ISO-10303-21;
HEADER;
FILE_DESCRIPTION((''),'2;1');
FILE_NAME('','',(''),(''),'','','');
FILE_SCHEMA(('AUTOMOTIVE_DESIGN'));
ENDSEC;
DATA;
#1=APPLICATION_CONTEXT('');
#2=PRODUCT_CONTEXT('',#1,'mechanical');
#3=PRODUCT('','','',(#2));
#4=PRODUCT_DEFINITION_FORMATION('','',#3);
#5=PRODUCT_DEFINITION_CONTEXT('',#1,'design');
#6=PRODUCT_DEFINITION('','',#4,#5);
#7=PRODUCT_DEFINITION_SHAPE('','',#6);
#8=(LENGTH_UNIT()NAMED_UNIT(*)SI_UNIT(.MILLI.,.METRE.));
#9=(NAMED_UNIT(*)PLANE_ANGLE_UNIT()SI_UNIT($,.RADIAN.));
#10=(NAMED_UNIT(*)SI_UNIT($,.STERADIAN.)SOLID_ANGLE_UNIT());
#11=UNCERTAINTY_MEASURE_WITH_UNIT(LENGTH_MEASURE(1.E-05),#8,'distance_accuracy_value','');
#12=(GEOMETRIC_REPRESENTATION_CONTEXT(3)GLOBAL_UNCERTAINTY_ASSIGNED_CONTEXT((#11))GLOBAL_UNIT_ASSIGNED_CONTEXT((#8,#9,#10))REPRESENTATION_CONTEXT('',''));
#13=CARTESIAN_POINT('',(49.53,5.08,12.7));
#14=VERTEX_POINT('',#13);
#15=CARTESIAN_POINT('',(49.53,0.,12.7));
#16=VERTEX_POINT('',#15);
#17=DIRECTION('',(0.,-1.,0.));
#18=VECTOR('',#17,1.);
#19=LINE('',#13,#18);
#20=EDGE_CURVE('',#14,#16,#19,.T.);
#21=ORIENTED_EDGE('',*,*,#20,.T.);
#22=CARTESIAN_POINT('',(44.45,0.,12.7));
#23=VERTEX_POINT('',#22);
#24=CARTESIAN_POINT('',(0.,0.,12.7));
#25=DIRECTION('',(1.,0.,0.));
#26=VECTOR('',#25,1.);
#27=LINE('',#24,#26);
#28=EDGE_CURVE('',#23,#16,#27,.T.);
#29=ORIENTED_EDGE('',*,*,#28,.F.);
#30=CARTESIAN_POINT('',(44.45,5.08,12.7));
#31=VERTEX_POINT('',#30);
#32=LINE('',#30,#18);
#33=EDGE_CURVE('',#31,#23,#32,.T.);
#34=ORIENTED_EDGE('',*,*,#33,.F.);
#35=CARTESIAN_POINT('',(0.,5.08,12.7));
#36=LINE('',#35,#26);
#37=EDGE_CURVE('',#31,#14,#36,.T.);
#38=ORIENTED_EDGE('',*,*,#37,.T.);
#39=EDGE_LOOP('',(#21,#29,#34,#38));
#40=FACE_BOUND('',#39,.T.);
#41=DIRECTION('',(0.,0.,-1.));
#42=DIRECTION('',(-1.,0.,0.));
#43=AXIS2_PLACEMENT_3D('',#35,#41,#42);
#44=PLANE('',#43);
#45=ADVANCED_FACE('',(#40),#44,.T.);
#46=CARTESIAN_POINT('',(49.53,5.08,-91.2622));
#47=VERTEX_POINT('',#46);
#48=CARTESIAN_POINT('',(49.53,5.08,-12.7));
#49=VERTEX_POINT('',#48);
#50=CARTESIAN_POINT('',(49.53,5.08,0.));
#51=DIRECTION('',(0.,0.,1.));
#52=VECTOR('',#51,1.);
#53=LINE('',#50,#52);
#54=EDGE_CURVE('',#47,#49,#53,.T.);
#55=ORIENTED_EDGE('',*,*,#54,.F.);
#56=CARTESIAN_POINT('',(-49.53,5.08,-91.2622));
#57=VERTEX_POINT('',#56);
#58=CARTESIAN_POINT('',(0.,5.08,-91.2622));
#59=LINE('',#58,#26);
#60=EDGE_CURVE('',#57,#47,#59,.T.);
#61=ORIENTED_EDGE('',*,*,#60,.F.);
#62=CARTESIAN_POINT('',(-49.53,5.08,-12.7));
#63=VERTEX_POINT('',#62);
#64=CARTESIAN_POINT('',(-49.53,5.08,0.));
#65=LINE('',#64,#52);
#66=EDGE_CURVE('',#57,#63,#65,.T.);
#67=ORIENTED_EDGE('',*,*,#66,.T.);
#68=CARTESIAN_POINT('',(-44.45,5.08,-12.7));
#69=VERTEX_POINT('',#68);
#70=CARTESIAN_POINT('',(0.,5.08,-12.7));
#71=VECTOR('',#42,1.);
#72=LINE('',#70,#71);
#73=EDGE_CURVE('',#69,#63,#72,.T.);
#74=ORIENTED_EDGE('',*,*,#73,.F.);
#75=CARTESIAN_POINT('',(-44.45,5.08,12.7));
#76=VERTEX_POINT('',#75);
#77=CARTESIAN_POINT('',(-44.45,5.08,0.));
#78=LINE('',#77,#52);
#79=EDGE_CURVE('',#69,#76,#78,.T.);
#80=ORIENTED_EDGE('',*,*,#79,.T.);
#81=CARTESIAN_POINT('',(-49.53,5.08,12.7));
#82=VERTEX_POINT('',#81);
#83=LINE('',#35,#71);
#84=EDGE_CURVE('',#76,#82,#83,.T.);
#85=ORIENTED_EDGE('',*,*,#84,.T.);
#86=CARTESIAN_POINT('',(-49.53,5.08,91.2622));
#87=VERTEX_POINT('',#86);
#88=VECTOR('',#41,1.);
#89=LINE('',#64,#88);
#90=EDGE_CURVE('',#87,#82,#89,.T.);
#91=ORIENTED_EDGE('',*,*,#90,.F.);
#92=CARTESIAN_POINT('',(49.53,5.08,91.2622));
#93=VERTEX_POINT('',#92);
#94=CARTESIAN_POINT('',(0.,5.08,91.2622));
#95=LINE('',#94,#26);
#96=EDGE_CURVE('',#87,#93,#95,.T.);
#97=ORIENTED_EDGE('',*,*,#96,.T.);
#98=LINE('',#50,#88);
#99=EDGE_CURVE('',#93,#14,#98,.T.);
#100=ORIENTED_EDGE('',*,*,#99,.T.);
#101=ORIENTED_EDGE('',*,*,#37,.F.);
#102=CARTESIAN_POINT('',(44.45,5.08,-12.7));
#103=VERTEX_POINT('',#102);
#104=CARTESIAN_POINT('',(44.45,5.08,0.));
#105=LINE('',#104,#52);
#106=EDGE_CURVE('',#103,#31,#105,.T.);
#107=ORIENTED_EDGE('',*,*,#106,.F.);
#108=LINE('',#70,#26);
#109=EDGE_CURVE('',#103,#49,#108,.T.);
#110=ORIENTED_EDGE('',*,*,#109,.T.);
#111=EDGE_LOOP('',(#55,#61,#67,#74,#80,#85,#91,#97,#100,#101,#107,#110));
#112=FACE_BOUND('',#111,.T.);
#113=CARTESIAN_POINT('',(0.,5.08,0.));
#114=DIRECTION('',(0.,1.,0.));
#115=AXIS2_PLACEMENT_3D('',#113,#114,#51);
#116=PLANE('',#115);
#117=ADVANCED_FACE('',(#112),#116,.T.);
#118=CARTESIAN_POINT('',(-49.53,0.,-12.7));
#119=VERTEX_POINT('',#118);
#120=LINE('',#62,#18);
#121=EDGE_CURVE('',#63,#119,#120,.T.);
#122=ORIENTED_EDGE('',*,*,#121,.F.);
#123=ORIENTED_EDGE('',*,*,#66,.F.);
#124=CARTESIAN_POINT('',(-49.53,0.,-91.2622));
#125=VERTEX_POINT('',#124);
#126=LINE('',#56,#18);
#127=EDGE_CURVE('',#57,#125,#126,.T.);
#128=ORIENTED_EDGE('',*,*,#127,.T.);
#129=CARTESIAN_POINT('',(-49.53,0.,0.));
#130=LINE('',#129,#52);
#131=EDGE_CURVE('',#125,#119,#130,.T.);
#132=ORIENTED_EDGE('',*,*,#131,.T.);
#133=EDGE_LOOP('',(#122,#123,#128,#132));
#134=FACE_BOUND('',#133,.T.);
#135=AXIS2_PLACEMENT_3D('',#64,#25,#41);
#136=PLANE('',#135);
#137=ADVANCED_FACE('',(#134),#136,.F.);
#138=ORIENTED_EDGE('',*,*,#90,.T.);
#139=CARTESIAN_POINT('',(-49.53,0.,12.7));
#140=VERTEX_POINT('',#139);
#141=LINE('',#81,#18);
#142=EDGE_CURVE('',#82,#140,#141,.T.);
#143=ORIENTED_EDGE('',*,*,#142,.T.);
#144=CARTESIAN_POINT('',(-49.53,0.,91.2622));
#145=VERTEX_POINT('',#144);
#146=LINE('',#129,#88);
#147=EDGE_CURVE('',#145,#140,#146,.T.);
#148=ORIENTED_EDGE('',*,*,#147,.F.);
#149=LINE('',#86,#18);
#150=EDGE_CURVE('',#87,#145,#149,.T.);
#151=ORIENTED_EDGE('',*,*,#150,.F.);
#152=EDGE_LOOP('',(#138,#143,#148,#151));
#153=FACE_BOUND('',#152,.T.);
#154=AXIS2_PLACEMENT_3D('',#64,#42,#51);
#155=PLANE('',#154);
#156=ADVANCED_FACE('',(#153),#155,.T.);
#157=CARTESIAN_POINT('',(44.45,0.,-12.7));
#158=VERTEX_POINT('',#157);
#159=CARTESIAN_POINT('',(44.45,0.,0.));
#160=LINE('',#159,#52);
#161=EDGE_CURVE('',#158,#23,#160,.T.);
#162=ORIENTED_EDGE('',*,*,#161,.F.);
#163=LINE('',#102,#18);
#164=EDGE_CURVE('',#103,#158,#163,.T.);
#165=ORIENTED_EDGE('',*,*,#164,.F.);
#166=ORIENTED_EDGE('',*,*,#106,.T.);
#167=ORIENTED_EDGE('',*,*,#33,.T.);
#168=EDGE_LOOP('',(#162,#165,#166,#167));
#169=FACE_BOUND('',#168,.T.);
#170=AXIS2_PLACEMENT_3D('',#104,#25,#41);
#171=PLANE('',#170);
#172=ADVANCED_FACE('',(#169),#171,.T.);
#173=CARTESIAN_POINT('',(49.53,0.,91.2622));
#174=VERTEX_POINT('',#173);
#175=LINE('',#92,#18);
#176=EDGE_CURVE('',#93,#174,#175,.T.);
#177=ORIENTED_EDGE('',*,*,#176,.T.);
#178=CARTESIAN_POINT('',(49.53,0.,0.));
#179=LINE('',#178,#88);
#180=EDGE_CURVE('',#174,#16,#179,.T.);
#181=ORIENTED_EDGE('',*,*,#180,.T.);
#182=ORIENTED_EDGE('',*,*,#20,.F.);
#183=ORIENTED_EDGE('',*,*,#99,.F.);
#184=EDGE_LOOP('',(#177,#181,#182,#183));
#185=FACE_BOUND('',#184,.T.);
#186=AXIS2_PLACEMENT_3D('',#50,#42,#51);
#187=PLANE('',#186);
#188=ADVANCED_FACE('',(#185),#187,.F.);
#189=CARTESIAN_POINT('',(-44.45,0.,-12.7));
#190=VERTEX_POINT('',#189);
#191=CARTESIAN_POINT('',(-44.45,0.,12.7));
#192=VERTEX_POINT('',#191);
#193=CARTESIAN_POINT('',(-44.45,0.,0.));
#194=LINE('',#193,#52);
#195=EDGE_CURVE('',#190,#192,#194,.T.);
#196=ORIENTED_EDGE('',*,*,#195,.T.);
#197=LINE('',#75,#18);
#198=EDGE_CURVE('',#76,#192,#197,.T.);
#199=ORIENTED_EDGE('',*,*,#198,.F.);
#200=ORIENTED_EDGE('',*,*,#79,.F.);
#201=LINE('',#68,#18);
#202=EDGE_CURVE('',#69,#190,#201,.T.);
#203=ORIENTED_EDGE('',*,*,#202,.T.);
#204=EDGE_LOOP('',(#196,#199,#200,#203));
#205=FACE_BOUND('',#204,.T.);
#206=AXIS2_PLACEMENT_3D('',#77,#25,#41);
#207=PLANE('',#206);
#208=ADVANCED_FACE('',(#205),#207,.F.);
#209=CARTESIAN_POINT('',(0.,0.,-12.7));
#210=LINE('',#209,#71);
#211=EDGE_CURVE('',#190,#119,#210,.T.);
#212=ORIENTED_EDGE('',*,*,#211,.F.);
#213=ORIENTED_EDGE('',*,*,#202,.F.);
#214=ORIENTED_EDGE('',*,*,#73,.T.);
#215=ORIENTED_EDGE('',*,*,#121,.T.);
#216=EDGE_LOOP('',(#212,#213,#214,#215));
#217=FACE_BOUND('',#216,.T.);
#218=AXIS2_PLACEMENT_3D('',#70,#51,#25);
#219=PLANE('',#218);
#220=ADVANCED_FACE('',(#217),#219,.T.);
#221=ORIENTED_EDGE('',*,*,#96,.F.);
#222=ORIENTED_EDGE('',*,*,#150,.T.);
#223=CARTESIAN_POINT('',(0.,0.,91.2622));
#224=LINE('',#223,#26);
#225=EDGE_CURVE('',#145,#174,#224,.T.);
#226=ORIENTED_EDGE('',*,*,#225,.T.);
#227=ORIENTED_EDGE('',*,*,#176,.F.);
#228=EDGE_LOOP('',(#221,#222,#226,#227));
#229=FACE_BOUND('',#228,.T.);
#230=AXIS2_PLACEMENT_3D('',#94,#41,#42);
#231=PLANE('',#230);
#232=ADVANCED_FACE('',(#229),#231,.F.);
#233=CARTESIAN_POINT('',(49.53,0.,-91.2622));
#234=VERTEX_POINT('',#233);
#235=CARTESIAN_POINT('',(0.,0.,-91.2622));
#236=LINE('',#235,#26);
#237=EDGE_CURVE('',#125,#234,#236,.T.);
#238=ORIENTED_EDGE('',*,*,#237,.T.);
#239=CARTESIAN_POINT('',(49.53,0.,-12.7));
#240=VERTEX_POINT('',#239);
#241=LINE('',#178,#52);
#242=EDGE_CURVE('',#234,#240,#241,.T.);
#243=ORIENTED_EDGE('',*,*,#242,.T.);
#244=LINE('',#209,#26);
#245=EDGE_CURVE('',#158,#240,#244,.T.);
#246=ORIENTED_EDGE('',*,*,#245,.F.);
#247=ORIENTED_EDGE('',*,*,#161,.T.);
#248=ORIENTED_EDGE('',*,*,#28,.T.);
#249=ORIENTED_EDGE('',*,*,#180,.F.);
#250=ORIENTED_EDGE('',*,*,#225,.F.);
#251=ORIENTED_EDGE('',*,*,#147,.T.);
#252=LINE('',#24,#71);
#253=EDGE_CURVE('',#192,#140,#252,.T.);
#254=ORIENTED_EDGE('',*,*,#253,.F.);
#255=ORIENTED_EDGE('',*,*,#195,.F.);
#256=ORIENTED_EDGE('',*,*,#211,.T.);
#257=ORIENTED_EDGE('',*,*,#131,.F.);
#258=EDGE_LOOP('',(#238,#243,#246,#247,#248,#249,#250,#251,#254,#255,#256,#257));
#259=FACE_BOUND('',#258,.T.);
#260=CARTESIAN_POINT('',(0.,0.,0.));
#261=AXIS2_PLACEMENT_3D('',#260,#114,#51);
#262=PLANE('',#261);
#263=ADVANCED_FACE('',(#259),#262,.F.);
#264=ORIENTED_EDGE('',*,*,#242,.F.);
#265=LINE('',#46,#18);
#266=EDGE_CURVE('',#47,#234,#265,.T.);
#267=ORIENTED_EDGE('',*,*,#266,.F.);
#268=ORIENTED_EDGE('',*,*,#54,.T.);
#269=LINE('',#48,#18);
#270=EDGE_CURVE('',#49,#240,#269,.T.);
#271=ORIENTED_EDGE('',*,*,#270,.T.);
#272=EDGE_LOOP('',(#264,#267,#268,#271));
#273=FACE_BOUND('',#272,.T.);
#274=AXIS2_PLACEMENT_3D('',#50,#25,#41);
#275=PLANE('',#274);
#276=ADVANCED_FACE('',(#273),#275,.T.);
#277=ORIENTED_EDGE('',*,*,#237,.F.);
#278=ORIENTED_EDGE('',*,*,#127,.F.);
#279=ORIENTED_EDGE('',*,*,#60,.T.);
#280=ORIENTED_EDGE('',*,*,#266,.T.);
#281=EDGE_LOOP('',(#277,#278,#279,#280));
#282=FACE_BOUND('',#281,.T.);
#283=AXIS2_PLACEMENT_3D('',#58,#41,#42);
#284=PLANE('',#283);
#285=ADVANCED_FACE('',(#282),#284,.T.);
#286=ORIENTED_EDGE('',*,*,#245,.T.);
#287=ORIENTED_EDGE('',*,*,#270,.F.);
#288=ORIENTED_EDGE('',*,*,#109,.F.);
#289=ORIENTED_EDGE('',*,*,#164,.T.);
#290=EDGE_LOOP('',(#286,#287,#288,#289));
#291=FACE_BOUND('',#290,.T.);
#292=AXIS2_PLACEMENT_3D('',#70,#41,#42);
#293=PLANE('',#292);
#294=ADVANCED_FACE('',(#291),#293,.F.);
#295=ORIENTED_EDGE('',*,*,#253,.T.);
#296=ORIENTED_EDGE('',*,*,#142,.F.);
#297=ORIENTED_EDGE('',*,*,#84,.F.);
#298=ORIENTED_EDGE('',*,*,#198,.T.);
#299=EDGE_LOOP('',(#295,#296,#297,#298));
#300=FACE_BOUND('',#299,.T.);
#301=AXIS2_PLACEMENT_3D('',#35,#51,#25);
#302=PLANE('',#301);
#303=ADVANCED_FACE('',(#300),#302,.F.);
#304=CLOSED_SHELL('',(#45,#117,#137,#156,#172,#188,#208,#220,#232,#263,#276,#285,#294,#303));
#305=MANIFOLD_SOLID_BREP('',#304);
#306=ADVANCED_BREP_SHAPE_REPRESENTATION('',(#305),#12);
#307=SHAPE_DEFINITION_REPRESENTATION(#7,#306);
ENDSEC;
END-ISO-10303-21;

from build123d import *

# Parameters (mm, degrees)
SKETCH1_W           = 88.9
SKETCH1_H           = 182.5244
SKETCH1_W_2         = 5.08
SKETCH1_H_2         = 78.5622
BOSS_EXTRUDE1_DEPTH = 5.08


with BuildPart() as part:
    # Sketch1 → Boss-Extrude1 (new body)
    with BuildSketch(Plane(origin=(0, 0, 0), x_dir=(1, 0, 0), z_dir=(0, 1, 0))):
        Rectangle(SKETCH1_W, SKETCH1_H)
        with Locations((-46.99, 51.9811)):
            Rectangle(SKETCH1_W_2, SKETCH1_H_2)
        with Locations((-46.99, -51.9811)):
            Rectangle(SKETCH1_W_2, SKETCH1_H_2)
        with Locations((46.99, -51.9811)):
            Rectangle(SKETCH1_W_2, SKETCH1_H_2)
        with Locations((46.99, 51.9811)):
            Rectangle(SKETCH1_W_2, SKETCH1_H_2)
    extrude(amount=BOSS_EXTRUDE1_DEPTH)


solid = part.part
